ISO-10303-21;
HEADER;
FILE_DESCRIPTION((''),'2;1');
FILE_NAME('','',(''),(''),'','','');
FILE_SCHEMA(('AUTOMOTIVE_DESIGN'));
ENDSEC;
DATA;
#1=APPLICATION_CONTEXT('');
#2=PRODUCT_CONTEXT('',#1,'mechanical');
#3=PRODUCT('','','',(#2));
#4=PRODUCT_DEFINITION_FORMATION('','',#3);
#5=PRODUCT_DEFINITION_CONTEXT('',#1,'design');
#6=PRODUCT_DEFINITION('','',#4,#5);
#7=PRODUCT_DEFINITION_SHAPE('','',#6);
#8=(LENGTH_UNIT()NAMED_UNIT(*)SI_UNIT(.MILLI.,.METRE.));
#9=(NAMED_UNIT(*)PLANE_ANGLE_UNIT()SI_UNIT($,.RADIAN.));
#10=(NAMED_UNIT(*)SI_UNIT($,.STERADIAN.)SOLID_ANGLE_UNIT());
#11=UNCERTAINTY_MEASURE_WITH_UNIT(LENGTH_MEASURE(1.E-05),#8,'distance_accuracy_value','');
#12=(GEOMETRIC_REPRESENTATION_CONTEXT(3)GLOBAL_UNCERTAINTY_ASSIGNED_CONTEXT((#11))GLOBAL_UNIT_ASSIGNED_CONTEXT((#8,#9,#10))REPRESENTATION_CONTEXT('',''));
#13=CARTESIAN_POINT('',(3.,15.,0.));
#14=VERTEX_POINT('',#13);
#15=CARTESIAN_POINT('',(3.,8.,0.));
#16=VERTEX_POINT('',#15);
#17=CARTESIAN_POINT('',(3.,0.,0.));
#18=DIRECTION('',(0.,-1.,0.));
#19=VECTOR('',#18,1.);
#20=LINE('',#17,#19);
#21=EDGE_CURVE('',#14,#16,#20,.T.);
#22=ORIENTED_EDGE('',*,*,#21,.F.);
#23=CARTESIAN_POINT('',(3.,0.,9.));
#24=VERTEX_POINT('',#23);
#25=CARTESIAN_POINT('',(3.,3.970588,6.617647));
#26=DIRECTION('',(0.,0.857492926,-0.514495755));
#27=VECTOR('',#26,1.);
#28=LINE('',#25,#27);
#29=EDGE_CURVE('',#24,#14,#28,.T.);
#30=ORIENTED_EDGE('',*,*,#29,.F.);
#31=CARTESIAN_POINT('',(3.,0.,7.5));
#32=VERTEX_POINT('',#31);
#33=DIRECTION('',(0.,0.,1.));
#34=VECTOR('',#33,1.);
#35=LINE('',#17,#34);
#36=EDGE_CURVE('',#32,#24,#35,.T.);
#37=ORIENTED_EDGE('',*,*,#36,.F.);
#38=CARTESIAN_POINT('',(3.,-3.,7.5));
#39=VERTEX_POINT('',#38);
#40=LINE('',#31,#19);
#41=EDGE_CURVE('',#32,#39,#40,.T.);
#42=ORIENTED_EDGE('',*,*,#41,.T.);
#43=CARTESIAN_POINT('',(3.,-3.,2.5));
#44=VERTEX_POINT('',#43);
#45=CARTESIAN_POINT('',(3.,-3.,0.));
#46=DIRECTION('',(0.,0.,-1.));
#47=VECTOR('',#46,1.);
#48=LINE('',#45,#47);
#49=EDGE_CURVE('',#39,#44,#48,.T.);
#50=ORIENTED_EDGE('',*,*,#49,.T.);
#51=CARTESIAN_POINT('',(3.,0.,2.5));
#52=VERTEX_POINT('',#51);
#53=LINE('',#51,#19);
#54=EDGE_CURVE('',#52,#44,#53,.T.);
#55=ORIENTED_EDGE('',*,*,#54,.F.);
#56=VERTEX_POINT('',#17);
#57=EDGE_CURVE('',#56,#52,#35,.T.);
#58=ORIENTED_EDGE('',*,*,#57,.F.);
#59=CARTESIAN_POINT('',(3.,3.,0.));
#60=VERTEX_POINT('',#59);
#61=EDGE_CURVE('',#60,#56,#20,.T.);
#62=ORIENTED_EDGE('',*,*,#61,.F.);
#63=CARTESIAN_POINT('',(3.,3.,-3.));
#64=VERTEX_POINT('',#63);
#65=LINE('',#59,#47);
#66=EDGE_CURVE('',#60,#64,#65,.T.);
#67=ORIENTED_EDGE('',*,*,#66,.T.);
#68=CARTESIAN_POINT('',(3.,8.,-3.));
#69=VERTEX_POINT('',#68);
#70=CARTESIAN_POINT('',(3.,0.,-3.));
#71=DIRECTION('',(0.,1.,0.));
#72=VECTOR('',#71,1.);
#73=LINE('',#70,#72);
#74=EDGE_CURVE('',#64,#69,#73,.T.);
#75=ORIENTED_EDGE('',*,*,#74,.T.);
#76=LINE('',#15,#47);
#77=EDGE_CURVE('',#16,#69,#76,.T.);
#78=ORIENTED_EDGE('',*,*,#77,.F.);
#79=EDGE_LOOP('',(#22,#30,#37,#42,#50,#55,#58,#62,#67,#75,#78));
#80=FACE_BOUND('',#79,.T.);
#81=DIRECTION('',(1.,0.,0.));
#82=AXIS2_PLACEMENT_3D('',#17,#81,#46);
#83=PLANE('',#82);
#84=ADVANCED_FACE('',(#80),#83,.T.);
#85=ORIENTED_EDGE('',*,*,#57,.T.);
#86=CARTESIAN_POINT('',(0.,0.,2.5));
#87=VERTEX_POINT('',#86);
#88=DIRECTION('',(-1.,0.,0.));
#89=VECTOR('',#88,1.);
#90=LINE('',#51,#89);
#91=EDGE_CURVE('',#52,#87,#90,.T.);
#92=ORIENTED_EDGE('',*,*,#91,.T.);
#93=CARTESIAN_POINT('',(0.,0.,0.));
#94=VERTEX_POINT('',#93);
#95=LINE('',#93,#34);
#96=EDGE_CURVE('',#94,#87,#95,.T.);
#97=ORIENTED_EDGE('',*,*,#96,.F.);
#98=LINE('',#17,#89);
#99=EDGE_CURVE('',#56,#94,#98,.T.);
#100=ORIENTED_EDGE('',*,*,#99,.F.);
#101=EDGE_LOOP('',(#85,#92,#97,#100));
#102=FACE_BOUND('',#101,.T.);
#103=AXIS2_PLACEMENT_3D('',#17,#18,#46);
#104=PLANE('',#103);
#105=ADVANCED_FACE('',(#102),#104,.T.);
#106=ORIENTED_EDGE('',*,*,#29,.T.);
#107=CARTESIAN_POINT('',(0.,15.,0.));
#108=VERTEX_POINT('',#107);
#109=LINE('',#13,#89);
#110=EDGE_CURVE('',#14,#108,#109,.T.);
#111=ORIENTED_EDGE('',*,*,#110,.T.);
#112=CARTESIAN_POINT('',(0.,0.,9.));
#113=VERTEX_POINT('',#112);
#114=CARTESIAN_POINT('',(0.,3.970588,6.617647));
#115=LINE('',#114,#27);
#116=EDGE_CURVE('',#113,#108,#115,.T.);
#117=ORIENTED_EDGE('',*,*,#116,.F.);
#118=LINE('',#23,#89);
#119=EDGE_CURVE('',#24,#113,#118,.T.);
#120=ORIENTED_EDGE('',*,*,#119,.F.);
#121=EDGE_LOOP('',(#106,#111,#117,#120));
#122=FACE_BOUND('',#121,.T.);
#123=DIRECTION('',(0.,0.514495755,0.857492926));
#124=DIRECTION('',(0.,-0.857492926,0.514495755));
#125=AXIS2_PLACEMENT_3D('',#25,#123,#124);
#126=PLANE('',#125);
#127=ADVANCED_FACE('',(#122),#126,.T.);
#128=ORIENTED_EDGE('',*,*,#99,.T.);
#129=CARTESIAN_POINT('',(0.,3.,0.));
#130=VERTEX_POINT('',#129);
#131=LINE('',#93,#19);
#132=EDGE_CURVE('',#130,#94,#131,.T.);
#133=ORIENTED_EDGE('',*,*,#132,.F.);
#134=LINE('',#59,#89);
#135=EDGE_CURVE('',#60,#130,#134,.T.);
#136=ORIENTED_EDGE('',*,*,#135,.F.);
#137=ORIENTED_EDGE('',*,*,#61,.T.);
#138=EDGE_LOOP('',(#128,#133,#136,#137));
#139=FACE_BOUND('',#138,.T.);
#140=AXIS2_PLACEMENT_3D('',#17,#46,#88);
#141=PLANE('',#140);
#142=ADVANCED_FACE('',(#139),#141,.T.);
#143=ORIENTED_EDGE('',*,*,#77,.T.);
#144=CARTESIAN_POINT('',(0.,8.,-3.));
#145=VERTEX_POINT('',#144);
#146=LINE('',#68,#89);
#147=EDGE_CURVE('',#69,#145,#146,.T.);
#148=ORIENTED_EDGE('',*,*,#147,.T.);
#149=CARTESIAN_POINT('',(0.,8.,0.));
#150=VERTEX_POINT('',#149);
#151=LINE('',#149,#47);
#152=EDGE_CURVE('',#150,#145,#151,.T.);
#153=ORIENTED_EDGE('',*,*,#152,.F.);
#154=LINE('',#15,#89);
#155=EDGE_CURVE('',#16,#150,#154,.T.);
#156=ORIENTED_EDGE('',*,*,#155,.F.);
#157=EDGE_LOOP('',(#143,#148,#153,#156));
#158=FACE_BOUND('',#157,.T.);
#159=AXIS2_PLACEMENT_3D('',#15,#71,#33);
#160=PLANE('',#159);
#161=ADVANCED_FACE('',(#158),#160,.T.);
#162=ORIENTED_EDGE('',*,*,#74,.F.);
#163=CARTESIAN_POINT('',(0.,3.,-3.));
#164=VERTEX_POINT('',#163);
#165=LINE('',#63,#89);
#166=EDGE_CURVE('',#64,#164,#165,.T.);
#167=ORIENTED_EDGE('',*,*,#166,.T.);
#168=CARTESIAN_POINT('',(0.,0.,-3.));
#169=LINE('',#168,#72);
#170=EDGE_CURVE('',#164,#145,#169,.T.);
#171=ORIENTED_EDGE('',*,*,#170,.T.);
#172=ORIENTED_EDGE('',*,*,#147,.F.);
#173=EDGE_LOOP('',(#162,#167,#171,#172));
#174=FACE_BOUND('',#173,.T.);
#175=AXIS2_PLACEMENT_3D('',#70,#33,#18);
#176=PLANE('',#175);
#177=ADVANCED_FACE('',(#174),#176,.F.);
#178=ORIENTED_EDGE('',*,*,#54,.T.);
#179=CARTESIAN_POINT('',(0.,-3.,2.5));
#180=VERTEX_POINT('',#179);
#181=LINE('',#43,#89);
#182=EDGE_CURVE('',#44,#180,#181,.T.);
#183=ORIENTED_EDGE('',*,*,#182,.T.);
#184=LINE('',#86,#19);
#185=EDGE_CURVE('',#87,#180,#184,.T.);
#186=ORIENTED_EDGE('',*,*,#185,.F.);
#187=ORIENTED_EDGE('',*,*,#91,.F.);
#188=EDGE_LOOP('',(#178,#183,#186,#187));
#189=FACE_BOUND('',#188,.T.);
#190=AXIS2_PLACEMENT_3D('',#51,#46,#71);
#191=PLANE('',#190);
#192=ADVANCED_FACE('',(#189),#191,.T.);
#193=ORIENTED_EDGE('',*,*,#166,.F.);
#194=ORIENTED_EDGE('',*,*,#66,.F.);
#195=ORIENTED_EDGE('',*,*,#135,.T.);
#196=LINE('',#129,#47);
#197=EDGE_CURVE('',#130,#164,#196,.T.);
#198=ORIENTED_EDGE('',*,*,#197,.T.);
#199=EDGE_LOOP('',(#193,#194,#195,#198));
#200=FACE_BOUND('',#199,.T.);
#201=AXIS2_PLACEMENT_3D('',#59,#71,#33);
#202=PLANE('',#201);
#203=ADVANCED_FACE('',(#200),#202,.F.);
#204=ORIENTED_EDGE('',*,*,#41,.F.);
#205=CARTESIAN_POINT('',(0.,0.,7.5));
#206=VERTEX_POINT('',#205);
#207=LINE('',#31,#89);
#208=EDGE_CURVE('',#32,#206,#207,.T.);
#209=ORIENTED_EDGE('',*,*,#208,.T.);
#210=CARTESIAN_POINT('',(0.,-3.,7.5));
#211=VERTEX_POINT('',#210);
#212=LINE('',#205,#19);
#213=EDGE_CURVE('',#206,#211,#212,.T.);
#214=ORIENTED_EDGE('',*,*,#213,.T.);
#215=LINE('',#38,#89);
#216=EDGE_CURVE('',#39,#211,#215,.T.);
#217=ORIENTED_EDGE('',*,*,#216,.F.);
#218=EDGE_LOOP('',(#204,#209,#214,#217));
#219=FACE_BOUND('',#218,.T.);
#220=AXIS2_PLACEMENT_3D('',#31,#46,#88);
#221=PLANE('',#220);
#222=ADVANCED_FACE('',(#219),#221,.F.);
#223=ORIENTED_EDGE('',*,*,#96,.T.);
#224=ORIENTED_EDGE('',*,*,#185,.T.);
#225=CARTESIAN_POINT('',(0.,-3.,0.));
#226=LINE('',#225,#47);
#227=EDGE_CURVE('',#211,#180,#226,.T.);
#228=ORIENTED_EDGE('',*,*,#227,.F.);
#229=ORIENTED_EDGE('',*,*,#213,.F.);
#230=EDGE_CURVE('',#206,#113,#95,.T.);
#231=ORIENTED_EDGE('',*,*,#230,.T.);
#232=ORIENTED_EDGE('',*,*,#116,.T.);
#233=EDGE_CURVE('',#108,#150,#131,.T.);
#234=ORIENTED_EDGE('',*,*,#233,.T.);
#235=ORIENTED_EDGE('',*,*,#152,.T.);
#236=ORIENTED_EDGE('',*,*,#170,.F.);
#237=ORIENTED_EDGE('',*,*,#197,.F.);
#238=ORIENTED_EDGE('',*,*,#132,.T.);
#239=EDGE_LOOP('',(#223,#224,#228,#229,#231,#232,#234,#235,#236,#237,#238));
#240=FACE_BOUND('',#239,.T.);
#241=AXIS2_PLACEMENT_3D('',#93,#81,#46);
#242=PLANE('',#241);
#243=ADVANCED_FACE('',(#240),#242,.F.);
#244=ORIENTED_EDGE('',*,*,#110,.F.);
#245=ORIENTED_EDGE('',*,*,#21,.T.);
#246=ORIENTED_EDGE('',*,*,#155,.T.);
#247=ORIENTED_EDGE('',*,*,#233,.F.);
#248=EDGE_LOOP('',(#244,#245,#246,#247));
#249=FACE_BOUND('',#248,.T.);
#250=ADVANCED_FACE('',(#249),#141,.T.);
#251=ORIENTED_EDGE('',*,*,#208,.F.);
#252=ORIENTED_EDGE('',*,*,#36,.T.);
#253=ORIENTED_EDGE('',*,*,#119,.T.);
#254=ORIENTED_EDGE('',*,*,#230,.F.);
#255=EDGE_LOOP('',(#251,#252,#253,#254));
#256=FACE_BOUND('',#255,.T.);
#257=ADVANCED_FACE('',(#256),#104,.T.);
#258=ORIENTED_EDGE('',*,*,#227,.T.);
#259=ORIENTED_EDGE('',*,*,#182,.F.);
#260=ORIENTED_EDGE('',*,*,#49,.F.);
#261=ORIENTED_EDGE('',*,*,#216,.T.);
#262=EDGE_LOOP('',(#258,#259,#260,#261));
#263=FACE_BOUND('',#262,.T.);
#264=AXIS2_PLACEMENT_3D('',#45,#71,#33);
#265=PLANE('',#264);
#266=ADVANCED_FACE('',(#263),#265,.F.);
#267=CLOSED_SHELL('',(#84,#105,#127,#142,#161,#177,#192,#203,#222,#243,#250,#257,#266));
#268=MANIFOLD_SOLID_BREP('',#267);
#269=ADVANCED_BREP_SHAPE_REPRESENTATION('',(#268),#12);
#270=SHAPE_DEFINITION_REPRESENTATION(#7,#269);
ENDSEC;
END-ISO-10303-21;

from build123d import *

# Parameters (mm, degrees)
SKETCH1_W           = 5
SKETCH1_H           = 3
SKETCH1_W_2         = 3
SKETCH1_H_2         = 5
BOSS_EXTRUDE1_DEPTH = 3


with BuildPart() as part:
    # Sketch1 → Boss-Extrude1 (new body)
    with BuildSketch(Plane(origin=(0, 0, 0), x_dir=(0, 0, -1), z_dir=(1, 0, 0))):
        Polygon((0, 0), (-9, 0), (0, 15), align=None)
        with Locations((-5, -1.5)):
            Rectangle(SKETCH1_W, SKETCH1_H)
        with Locations((1.5, 5.5)):
            Rectangle(SKETCH1_W_2, SKETCH1_H_2)
    extrude(amount=BOSS_EXTRUDE1_DEPTH)


solid = part.part
